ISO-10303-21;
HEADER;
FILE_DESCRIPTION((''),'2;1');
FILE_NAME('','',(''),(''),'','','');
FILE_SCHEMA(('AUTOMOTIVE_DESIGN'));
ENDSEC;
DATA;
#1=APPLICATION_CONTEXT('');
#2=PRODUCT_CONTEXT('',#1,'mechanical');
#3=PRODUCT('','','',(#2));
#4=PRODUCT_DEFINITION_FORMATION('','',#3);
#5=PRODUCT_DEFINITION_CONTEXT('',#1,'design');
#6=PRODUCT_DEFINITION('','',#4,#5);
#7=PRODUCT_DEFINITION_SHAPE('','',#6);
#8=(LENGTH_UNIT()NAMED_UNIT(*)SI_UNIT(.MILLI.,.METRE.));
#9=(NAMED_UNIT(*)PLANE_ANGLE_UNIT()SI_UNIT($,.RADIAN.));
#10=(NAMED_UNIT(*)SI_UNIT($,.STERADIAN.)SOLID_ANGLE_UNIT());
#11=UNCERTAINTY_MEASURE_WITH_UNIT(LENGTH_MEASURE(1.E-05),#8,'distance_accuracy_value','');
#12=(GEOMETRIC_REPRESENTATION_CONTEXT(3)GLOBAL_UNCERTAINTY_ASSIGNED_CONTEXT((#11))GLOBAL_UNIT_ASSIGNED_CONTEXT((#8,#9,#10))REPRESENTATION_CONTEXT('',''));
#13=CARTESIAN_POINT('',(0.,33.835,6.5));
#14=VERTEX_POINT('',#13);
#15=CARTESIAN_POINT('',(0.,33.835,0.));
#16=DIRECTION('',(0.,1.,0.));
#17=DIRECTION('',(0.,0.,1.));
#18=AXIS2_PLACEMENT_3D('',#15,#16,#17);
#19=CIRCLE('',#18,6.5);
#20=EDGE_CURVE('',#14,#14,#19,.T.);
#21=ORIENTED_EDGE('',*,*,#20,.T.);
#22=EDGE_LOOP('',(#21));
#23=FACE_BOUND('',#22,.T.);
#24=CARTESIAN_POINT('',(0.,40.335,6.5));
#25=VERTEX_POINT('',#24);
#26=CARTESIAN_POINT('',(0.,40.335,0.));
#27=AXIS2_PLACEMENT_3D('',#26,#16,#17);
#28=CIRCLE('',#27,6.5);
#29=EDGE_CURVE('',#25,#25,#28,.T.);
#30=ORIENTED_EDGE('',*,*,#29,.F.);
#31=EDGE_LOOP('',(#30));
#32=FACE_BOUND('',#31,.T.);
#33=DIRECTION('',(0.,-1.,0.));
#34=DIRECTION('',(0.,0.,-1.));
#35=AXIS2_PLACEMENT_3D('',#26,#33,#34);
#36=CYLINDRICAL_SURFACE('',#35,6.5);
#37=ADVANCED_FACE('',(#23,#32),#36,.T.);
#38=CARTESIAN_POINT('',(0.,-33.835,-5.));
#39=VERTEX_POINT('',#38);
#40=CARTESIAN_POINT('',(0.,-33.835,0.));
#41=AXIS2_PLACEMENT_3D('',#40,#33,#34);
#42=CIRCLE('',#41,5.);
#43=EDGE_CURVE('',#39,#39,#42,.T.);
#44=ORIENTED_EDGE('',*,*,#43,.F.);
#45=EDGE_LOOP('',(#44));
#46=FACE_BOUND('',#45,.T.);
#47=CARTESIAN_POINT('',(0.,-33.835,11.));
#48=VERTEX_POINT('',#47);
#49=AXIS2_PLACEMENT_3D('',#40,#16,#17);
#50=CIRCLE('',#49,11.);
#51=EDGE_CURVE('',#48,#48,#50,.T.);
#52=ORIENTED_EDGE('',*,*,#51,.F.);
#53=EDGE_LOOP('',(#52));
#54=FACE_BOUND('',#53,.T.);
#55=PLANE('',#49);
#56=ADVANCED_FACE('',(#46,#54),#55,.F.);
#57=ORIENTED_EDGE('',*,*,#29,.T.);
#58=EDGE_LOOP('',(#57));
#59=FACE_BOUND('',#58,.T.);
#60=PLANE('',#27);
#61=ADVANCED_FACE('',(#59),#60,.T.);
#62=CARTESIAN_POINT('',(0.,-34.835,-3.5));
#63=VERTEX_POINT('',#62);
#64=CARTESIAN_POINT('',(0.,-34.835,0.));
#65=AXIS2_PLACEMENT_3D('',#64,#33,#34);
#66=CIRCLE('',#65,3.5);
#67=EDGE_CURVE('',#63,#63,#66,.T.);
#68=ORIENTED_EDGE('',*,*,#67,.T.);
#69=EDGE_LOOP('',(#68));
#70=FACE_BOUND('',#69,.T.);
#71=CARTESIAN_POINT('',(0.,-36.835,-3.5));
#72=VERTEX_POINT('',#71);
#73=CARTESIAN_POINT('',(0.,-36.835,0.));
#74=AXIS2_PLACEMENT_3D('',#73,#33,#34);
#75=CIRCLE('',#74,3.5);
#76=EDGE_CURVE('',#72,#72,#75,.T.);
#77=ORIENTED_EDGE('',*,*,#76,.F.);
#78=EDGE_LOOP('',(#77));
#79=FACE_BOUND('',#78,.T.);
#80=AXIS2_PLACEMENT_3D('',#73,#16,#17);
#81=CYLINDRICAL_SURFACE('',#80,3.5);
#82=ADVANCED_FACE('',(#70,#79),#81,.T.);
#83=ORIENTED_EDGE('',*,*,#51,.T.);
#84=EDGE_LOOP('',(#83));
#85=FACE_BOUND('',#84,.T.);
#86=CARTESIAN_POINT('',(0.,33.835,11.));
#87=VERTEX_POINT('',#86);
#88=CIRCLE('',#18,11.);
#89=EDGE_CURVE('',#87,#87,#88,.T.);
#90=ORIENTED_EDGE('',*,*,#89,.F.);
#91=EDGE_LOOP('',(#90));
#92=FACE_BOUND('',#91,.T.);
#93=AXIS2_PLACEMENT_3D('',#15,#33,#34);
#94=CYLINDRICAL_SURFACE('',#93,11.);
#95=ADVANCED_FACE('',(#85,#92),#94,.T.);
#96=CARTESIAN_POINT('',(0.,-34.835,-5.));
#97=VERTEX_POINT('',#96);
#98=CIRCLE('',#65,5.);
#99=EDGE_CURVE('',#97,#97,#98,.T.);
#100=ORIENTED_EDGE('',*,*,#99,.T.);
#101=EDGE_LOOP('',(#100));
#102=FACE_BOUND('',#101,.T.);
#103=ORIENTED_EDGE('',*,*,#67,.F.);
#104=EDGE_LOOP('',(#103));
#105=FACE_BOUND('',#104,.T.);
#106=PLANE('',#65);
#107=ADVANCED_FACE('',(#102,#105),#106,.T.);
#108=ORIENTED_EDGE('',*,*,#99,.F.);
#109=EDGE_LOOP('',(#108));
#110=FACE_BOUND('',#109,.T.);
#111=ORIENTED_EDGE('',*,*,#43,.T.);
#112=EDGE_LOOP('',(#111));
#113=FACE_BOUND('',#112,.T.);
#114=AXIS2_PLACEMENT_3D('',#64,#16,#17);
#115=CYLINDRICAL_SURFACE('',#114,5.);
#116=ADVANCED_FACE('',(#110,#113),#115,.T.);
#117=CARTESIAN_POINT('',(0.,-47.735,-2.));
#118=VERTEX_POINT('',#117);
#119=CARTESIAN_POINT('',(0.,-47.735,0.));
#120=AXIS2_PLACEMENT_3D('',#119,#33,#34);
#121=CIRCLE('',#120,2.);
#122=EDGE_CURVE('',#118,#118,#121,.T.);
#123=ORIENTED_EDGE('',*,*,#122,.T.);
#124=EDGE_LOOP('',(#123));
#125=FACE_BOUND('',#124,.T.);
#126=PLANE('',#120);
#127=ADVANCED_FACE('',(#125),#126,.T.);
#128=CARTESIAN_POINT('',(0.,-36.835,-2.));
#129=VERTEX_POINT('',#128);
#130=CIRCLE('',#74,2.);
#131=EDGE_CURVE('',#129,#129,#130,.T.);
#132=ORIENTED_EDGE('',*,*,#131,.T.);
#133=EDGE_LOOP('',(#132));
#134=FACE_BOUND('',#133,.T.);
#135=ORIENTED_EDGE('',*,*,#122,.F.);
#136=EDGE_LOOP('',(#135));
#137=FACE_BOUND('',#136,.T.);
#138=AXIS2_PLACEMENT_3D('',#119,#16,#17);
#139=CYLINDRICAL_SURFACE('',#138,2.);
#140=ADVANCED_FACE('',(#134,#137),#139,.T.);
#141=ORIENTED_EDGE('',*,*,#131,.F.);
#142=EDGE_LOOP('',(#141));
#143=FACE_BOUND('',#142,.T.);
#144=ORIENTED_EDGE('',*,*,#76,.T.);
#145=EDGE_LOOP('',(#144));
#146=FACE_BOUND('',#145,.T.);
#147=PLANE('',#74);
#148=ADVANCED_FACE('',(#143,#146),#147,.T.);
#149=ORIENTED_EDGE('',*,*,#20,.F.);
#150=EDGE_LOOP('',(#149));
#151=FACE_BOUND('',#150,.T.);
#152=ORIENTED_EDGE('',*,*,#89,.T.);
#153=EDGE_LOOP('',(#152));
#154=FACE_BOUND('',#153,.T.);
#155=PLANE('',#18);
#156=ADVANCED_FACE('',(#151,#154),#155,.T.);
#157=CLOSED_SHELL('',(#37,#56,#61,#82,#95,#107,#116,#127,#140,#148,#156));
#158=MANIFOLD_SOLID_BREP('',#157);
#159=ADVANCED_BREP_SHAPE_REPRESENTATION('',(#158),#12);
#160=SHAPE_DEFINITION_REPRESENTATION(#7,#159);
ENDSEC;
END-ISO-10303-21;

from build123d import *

# Parameters (mm, degrees)
SKETCH1_R           = 11
BOSS_EXTRUDE1_DEPTH = 33.835
SKETCH2_R           = 6.5
BOSS_EXTRUDE2_DEPTH = 6.5
SKETCH3_R           = 5
BOSS_EXTRUDE3_DEPTH = 1
SKETCH4_R           = 3.5
BOSS_EXTRUDE4_DEPTH = 2
SKETCH5_R           = 2
BOSS_EXTRUDE5_DEPTH = 10.9


with BuildPart() as part:
    # Sketch1 → Boss-Extrude1 (new body, symmetric)
    with BuildSketch(Plane(origin=(0, 0, 0), x_dir=(1, 0, 0), z_dir=(0, 1, 0))):
        Circle(SKETCH1_R)
    extrude(amount=BOSS_EXTRUDE1_DEPTH, both=True)

    # Sketch2 → Boss-Extrude2 (add)
    with BuildSketch(Plane(origin=(0, 33.835, 0), x_dir=(1, 0, 0), z_dir=(0, 1, 0))):
        Circle(SKETCH2_R)
    extrude(amount=BOSS_EXTRUDE2_DEPTH)

    # Sketch3 → Boss-Extrude3 (add)
    with BuildSketch(Plane.XZ.offset(33.835)):
        Circle(SKETCH3_R)
    extrude(amount=BOSS_EXTRUDE3_DEPTH)

    # Sketch4 → Boss-Extrude4 (add)
    with BuildSketch(Plane(origin=(0, -34.835, 0), x_dir=(-1, 0, 0), z_dir=(0, -1, 0))):
        Circle(SKETCH4_R)
    extrude(amount=BOSS_EXTRUDE4_DEPTH)

    # Sketch5 → Boss-Extrude5 (add)
    with BuildSketch(Plane.XZ.offset(36.835)):
        Circle(SKETCH5_R)
    extrude(amount=BOSS_EXTRUDE5_DEPTH)


solid = part.part
